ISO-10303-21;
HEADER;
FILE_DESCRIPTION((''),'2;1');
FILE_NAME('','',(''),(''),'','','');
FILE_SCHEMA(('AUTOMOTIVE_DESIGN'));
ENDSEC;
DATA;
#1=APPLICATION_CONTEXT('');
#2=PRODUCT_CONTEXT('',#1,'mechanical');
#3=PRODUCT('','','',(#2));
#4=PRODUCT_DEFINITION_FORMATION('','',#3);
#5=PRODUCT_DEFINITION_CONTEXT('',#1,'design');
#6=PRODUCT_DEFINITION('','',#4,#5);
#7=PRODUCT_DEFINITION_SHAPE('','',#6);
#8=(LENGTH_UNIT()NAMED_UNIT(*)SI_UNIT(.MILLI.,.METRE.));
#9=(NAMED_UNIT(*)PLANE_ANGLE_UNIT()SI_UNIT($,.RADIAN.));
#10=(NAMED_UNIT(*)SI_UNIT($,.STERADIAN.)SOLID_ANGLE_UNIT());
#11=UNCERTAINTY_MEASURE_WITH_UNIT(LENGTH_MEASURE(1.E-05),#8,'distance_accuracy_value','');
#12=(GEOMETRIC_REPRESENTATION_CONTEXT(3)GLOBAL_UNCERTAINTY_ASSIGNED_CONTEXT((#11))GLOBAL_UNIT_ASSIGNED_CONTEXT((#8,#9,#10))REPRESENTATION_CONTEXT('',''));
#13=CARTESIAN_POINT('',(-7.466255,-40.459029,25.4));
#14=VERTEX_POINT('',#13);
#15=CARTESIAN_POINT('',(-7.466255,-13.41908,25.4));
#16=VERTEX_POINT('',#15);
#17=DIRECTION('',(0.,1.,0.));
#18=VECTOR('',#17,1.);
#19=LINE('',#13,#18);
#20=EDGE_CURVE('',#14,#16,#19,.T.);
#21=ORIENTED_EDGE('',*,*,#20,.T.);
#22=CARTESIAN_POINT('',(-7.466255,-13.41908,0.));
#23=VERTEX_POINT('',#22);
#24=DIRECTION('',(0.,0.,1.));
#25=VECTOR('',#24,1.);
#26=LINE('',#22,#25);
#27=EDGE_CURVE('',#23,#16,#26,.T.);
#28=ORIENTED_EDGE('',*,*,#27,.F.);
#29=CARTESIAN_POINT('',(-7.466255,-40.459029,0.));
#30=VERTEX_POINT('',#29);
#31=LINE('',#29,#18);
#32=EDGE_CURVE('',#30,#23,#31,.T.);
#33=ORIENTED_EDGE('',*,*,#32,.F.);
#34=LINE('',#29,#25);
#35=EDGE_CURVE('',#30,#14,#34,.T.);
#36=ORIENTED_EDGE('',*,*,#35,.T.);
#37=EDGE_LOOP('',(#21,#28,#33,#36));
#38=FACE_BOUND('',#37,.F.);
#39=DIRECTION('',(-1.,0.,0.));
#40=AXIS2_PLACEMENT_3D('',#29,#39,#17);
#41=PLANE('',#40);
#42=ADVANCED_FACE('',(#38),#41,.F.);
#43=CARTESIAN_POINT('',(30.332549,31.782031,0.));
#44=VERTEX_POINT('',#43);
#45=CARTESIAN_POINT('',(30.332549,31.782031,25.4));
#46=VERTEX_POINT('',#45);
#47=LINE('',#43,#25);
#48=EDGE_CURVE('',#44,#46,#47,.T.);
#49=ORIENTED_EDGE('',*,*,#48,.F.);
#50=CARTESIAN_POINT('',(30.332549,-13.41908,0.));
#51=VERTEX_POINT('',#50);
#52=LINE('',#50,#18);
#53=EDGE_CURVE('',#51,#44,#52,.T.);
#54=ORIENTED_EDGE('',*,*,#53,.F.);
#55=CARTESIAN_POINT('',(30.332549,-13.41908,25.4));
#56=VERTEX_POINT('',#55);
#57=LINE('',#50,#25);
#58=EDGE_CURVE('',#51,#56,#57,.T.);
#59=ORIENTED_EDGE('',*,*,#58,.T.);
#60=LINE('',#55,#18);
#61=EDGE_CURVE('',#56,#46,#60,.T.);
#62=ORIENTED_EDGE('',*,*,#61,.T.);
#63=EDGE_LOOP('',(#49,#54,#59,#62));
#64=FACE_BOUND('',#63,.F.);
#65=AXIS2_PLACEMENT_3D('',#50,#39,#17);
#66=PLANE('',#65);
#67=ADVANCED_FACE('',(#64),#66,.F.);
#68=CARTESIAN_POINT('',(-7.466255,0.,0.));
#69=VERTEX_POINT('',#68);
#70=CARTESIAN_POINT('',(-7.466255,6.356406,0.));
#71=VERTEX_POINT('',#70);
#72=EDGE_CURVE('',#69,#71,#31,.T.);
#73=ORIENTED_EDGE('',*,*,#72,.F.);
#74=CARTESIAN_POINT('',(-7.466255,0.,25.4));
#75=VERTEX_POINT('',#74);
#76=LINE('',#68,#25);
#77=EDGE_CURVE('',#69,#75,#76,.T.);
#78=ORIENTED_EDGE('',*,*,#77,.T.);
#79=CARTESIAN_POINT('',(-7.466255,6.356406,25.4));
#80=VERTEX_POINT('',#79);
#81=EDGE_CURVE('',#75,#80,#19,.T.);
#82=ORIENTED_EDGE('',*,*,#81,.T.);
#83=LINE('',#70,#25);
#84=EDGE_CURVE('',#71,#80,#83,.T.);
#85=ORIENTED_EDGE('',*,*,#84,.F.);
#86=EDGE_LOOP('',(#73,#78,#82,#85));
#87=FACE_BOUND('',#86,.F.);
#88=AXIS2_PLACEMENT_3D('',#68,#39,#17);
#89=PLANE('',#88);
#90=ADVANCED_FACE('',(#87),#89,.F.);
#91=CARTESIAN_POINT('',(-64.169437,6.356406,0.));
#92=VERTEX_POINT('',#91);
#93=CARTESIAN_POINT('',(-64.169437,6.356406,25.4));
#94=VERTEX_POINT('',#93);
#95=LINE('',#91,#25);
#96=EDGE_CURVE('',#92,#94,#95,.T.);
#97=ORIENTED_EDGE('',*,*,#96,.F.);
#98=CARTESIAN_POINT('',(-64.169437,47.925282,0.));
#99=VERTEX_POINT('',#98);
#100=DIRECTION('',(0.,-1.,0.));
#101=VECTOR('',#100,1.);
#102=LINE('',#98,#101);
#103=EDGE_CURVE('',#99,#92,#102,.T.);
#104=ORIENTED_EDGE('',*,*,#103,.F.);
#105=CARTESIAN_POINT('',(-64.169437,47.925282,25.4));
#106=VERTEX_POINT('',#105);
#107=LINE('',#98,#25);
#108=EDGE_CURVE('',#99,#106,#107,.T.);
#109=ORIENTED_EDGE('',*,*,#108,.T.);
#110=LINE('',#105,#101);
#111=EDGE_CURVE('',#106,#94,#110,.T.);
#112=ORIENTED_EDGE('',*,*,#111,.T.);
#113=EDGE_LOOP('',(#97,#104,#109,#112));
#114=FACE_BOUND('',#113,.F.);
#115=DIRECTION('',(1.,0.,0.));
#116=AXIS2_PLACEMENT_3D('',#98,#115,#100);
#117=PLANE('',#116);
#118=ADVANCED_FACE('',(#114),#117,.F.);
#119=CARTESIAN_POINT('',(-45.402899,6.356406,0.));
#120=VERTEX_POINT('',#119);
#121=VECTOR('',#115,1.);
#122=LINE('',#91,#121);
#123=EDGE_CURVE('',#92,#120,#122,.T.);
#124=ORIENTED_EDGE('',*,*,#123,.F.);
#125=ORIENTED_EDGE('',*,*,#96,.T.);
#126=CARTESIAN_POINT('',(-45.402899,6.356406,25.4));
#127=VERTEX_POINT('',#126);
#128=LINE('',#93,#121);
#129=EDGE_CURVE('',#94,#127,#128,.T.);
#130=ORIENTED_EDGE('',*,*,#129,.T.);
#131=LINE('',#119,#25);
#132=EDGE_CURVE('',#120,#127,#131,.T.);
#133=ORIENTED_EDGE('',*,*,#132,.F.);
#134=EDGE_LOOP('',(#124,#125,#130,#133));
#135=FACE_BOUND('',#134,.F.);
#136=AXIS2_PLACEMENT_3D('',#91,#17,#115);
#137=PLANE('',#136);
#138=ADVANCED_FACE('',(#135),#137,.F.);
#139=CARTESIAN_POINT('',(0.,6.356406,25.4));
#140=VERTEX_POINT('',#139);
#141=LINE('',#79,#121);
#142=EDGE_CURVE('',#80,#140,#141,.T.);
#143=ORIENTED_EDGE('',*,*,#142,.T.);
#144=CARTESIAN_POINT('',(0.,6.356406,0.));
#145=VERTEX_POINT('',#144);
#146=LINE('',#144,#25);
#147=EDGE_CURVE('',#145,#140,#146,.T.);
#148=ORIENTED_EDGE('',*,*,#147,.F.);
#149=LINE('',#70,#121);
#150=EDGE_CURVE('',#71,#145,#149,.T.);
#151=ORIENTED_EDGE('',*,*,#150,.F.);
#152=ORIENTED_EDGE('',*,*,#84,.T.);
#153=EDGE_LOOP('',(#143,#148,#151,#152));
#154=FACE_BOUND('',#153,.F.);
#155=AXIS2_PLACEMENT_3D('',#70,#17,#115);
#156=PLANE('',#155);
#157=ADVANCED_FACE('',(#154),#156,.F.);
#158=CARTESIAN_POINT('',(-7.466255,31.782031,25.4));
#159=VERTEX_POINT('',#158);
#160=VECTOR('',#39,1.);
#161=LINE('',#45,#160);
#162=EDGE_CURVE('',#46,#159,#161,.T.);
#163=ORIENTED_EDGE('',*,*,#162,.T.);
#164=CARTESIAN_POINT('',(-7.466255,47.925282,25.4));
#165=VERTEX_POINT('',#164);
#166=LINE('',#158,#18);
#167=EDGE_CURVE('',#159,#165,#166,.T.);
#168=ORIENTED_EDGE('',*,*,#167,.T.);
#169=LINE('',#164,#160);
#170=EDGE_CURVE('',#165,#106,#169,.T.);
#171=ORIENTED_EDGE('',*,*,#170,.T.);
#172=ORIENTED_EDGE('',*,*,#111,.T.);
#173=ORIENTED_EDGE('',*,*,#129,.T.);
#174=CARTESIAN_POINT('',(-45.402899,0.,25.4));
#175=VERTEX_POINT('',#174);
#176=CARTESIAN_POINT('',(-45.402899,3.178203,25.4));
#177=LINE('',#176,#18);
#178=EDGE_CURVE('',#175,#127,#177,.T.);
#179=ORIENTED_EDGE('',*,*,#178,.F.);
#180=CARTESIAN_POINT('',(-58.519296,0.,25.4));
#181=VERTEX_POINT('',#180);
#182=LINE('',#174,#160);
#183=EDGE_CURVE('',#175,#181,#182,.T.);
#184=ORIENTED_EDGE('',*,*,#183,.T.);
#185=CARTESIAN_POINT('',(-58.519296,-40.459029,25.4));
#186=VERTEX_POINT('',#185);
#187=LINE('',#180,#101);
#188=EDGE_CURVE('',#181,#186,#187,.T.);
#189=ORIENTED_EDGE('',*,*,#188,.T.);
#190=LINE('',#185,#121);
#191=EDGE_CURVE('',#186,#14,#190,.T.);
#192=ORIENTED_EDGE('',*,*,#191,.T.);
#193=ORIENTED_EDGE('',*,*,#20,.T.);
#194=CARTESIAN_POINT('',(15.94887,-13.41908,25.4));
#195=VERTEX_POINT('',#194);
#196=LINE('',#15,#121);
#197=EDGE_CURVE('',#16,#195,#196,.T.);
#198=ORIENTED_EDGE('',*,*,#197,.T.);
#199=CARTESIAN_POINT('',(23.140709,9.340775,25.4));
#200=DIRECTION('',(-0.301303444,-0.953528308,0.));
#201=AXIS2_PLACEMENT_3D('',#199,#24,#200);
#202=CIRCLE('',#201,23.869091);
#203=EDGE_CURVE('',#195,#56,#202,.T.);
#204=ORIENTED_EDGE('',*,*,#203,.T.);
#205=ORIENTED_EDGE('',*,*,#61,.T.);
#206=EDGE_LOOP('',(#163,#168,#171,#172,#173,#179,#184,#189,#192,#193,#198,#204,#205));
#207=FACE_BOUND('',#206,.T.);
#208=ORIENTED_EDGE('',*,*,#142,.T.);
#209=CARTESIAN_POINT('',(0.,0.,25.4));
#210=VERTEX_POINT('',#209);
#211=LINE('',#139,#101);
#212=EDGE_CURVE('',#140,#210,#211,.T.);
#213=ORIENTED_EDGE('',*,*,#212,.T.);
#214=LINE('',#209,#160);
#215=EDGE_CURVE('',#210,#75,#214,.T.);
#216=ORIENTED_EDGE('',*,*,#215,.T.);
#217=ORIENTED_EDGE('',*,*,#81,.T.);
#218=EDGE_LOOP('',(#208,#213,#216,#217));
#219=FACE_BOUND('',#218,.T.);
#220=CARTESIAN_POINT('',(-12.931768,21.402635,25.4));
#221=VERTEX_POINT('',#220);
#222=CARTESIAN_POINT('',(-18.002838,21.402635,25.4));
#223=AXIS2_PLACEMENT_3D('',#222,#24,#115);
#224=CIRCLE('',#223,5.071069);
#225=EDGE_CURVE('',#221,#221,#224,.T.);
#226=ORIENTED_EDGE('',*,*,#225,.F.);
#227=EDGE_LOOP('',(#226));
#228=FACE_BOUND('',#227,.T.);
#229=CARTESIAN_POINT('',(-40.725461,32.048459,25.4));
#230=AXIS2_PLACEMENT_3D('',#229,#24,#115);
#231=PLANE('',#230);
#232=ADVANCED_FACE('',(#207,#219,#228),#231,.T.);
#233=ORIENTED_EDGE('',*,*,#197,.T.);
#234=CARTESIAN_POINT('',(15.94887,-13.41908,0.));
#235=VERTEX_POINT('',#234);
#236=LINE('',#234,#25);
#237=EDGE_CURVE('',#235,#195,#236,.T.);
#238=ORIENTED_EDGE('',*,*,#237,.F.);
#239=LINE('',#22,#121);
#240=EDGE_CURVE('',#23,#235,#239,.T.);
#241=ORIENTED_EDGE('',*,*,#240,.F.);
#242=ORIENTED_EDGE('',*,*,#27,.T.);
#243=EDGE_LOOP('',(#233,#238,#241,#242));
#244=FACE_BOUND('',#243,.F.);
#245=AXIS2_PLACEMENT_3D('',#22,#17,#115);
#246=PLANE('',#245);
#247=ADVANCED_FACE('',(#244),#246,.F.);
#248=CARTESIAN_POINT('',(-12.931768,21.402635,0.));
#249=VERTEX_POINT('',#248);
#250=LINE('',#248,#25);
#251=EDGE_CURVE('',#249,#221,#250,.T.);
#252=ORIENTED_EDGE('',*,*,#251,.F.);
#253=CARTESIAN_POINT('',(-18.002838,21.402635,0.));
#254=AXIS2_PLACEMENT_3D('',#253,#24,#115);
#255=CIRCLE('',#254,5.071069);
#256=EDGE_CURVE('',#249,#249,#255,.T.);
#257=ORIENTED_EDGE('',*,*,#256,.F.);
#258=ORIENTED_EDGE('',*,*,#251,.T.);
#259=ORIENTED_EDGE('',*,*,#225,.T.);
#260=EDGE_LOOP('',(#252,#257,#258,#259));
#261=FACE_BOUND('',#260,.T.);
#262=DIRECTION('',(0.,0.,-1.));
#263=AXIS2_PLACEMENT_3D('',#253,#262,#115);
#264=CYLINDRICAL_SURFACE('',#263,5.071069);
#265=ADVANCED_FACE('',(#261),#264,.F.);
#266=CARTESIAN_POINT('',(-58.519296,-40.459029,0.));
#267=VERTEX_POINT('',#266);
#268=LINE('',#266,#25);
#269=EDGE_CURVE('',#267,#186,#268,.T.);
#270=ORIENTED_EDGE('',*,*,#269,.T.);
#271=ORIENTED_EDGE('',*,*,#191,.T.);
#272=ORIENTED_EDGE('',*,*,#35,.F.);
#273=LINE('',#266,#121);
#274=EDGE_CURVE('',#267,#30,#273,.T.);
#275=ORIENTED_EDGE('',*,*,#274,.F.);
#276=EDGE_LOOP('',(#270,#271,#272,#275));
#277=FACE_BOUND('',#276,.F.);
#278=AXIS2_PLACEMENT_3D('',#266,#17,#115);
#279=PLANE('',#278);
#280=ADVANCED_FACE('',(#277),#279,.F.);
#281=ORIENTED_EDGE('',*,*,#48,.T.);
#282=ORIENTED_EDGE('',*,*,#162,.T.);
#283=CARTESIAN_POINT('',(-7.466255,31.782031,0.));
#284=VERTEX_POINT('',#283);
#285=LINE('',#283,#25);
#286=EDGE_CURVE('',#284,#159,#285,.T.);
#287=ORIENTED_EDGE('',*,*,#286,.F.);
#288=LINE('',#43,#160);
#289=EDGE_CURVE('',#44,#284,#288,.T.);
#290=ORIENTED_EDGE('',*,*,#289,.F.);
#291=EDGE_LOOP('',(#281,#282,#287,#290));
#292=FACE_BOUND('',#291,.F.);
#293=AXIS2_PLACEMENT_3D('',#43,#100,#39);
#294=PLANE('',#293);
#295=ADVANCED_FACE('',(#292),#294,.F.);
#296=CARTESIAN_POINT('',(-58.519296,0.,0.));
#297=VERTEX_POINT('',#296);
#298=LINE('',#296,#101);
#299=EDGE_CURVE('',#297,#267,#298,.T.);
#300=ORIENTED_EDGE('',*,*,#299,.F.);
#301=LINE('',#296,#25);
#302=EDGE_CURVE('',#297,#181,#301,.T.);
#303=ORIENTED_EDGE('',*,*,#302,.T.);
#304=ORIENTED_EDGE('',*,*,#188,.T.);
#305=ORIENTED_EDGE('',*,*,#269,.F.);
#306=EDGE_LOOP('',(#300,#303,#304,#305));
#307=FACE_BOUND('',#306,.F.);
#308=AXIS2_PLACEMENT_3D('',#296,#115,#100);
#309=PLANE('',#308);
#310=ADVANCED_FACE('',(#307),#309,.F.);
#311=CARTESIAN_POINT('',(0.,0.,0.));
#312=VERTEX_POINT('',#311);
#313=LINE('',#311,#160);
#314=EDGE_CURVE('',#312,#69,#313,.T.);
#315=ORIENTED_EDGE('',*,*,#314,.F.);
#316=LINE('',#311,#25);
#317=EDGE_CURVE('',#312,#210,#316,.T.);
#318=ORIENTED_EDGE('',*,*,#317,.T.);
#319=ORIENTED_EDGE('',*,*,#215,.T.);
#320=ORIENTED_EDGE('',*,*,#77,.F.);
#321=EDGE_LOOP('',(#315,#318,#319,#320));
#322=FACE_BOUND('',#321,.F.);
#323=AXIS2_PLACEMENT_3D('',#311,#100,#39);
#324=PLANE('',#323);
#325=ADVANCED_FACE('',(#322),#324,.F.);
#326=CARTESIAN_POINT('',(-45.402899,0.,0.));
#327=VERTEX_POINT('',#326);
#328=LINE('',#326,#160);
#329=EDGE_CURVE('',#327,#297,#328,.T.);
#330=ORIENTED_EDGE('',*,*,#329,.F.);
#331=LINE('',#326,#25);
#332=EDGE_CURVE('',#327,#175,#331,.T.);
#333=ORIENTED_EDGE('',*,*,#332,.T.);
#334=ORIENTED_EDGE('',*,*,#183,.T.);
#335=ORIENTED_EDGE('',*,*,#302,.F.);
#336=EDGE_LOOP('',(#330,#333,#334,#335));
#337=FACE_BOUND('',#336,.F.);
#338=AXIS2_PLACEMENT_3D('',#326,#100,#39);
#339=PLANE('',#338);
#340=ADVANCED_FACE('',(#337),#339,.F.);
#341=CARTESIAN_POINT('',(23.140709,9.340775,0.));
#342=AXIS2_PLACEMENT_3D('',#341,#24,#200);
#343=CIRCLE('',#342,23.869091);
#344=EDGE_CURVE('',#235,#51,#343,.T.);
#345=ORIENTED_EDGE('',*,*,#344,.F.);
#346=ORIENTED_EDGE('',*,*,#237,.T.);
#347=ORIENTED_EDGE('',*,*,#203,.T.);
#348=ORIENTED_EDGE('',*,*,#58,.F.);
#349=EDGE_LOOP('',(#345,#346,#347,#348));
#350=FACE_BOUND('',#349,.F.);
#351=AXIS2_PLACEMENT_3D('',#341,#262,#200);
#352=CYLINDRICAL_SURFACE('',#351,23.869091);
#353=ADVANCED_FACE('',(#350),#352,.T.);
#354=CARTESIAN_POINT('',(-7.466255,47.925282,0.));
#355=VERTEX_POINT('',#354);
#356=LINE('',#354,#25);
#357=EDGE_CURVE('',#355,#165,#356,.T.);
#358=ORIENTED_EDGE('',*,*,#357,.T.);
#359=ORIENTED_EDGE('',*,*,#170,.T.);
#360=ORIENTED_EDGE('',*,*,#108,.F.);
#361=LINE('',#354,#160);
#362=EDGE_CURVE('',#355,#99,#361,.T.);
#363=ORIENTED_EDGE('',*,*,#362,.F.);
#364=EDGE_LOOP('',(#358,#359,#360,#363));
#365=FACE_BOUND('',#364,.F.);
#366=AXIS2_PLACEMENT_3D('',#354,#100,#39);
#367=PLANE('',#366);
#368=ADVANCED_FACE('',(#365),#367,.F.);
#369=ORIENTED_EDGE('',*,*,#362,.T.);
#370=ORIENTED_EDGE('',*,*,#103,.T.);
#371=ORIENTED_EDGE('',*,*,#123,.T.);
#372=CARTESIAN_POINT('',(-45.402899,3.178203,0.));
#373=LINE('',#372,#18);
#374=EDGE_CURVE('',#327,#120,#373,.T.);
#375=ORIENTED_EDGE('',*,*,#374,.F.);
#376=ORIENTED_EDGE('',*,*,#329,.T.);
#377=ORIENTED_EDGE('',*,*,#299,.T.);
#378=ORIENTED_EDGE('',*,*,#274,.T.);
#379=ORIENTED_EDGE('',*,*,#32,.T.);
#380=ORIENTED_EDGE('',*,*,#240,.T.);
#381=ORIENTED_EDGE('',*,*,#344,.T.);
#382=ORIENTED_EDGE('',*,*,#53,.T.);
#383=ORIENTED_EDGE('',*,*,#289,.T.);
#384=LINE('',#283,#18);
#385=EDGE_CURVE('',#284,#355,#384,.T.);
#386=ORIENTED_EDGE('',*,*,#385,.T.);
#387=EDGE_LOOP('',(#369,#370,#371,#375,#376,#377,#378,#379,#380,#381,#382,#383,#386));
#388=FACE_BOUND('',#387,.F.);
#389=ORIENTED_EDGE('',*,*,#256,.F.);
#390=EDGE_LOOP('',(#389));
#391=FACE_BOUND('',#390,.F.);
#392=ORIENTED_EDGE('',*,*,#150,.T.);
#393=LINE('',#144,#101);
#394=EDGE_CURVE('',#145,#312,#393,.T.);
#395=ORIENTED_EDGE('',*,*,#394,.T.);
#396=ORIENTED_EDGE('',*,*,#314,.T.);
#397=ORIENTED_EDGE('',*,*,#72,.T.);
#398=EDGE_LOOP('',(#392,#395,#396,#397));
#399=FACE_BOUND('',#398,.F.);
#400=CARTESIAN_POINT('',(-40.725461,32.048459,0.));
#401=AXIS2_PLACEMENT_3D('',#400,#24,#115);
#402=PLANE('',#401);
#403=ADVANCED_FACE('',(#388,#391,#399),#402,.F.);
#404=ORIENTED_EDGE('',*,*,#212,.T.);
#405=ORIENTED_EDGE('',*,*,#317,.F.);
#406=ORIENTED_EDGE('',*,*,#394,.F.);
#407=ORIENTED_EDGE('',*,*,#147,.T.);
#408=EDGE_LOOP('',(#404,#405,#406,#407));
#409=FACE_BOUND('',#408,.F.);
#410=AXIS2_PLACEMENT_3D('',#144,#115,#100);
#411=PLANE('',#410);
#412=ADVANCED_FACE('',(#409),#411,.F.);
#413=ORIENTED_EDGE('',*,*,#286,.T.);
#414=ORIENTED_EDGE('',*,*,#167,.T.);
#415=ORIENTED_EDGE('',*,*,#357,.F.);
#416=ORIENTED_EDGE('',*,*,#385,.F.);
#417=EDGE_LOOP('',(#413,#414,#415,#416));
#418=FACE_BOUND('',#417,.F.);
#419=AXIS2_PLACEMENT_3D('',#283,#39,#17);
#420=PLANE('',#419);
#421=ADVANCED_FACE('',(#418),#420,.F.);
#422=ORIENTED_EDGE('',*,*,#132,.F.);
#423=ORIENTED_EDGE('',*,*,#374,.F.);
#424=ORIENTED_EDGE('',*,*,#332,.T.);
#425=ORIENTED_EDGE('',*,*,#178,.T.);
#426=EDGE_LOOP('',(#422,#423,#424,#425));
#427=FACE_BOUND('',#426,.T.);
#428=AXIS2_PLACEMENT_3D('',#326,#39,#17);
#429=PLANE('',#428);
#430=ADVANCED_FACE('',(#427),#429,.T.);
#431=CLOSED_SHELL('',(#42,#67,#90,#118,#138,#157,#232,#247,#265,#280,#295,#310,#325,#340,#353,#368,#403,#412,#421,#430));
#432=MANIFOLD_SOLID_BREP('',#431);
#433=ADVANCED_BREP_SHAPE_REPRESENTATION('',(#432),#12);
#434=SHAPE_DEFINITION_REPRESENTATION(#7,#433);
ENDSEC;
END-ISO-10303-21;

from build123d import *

# Parameters (mm, degrees)
F0_W     = 37.936644163
F0_H     = 25.4256250337
F0_R     = 5.0710694704
F0_H_2   = 6.3564060256
F0_H_3   = 13.4190795943
F1_DEPTH = 25.4
F2_DEPTH = 25.4


with BuildPart() as f1:
    # F0 (on Top) → F1 (new body)
    with BuildSketch(Plane.XY):
        Polygon((-7.4662552215, 47.9252822697), (-64.1694366932, 47.9252822697), (-64.1694366932, 6.3564060256), (-45.4028993845, 6.3564060256), (-45.4028993845, 31.7820310593), (-7.4662552215, 31.7820310593), align=None)
        with BuildLine():
            Line((15.0090710029, 31.7820310593), (-7.4662552215, 31.7820310593))
            Line((-7.4662552215, 31.7820310593), (-7.4662552215, 6.3564060256))
            Line((-7.4662552215, 6.3564060256), (-0.5410785656, 6.3564060256))
            ThreePointArc((-0.5410785656, 6.3564060256), (2.7780197693, 21.7944652245), (15.0090710029, 31.7820310593))
        make_face()
        with Locations((-26.434577303, 19.0692185424)):
            Rectangle(F0_W, F0_H)
        with Locations((-18.0028378963, 21.4026346803)):
            Circle(F0_R, mode=Mode.SUBTRACT)
        with Locations((-26.434577303, 3.1782030128)):
            Rectangle(F0_W, F0_H_2)
        with BuildLine():
            Line((30.3325485438, 31.7820310593), (15.0090710029, 31.7820310593))
            ThreePointArc((15.0090710029, 31.7820310593), (2.7780197693, 21.7944652245), (-0.5410785656, 6.3564060256))
            Line((-0.5410785656, 6.3564060256), (0, 6.3564060256))
            Line((0, 6.3564060256), (0, 3.4891846957))
            ThreePointArc((0, 3.4891846957), (5.7772927996, -7.0374210767), (15.9488696559, -13.4190795943))
            Line((15.9488696559, -13.4190795943), (30.3325485438, -13.4190795943))
            Line((30.3325485438, -13.4190795943), (30.3325485438, 31.7820310593))
        make_face()
        Polygon((-45.4028993845, -13.4190795943), (-45.4028993845, 0), (-58.5192963481, 0), (-58.5192963481, -40.4590293765), (-7.4662552215, -40.4590293765), (-7.4662552215, -13.4190795943), align=None)
        with Locations((-26.434577303, -6.7095397972)):
            Rectangle(F0_W, F0_H_3)
        with BuildLine():
            Line((0, 0), (-7.4662552215, 0))
            Line((-7.4662552215, 0), (-7.4662552215, -13.4190795943))
            Line((-7.4662552215, -13.4190795943), (15.9488696559, -13.4190795943))
            ThreePointArc((15.9488696559, -13.4190795943), (5.7772927996, -7.0374210767), (0, 3.4891846957))
            Line((0, 3.4891846957), (0, 0))
        make_face()
        with BuildLine():
            ThreePointArc((15.9488696559, -13.4190795943), (23.1407090998, -14.5283166529), (30.3325485438, -13.4190795943))
            Line((30.3325485438, -13.4190795943), (15.9488696559, -13.4190795943))
        make_face()
    extrude(amount=F1_DEPTH)

    # F0 (on Top) → F2 (join)
    with BuildSketch(Plane.XY):
        Polygon((-7.4662552215, 47.9252822697), (-64.1694366932, 47.9252822697), (-64.1694366932, 6.3564060256), (-45.4028993845, 6.3564060256), (-45.4028993845, 31.7820310593), (-7.4662552215, 31.7820310593), align=None)
        with BuildLine():
            Line((15.0090710029, 31.7820310593), (-7.4662552215, 31.7820310593))
            Line((-7.4662552215, 31.7820310593), (-7.4662552215, 6.3564060256))
            Line((-7.4662552215, 6.3564060256), (-0.5410785656, 6.3564060256))
            ThreePointArc((-0.5410785656, 6.3564060256), (2.7780197693, 21.7944652245), (15.0090710029, 31.7820310593))
        make_face()
        with Locations((-26.434577303, 19.0692185424)):
            Rectangle(F0_W, F0_H)
        with Locations((-18.0028378963, 21.4026346803)):
            Circle(F0_R, mode=Mode.SUBTRACT)
        with Locations((-26.434577303, 3.1782030128)):
            Rectangle(F0_W, F0_H_2)
        with BuildLine():
            Line((30.3325485438, 31.7820310593), (15.0090710029, 31.7820310593))
            ThreePointArc((15.0090710029, 31.7820310593), (2.7780197693, 21.7944652245), (-0.5410785656, 6.3564060256))
            Line((-0.5410785656, 6.3564060256), (0, 6.3564060256))
            Line((0, 6.3564060256), (0, 3.4891846957))
            ThreePointArc((0, 3.4891846957), (5.7772927996, -7.0374210767), (15.9488696559, -13.4190795943))
            Line((15.9488696559, -13.4190795943), (30.3325485438, -13.4190795943))
            Line((30.3325485438, -13.4190795943), (30.3325485438, 31.7820310593))
        make_face()
        Polygon((-45.4028993845, -13.4190795943), (-45.4028993845, 0), (-58.5192963481, 0), (-58.5192963481, -40.4590293765), (-7.4662552215, -40.4590293765), (-7.4662552215, -13.4190795943), align=None)
        with Locations((-26.434577303, -6.7095397972)):
            Rectangle(F0_W, F0_H_3)
        with BuildLine():
            Line((0, 0), (-7.4662552215, 0))
            Line((-7.4662552215, 0), (-7.4662552215, -13.4190795943))
            Line((-7.4662552215, -13.4190795943), (15.9488696559, -13.4190795943))
            ThreePointArc((15.9488696559, -13.4190795943), (5.7772927996, -7.0374210767), (0, 3.4891846957))
            Line((0, 3.4891846957), (0, 0))
        make_face()
        with BuildLine():
            ThreePointArc((15.9488696559, -13.4190795943), (23.1407090998, -14.5283166529), (30.3325485438, -13.4190795943))
            Line((30.3325485438, -13.4190795943), (15.9488696559, -13.4190795943))
        make_face()
    extrude(amount=F2_DEPTH)


solid = f1.part
